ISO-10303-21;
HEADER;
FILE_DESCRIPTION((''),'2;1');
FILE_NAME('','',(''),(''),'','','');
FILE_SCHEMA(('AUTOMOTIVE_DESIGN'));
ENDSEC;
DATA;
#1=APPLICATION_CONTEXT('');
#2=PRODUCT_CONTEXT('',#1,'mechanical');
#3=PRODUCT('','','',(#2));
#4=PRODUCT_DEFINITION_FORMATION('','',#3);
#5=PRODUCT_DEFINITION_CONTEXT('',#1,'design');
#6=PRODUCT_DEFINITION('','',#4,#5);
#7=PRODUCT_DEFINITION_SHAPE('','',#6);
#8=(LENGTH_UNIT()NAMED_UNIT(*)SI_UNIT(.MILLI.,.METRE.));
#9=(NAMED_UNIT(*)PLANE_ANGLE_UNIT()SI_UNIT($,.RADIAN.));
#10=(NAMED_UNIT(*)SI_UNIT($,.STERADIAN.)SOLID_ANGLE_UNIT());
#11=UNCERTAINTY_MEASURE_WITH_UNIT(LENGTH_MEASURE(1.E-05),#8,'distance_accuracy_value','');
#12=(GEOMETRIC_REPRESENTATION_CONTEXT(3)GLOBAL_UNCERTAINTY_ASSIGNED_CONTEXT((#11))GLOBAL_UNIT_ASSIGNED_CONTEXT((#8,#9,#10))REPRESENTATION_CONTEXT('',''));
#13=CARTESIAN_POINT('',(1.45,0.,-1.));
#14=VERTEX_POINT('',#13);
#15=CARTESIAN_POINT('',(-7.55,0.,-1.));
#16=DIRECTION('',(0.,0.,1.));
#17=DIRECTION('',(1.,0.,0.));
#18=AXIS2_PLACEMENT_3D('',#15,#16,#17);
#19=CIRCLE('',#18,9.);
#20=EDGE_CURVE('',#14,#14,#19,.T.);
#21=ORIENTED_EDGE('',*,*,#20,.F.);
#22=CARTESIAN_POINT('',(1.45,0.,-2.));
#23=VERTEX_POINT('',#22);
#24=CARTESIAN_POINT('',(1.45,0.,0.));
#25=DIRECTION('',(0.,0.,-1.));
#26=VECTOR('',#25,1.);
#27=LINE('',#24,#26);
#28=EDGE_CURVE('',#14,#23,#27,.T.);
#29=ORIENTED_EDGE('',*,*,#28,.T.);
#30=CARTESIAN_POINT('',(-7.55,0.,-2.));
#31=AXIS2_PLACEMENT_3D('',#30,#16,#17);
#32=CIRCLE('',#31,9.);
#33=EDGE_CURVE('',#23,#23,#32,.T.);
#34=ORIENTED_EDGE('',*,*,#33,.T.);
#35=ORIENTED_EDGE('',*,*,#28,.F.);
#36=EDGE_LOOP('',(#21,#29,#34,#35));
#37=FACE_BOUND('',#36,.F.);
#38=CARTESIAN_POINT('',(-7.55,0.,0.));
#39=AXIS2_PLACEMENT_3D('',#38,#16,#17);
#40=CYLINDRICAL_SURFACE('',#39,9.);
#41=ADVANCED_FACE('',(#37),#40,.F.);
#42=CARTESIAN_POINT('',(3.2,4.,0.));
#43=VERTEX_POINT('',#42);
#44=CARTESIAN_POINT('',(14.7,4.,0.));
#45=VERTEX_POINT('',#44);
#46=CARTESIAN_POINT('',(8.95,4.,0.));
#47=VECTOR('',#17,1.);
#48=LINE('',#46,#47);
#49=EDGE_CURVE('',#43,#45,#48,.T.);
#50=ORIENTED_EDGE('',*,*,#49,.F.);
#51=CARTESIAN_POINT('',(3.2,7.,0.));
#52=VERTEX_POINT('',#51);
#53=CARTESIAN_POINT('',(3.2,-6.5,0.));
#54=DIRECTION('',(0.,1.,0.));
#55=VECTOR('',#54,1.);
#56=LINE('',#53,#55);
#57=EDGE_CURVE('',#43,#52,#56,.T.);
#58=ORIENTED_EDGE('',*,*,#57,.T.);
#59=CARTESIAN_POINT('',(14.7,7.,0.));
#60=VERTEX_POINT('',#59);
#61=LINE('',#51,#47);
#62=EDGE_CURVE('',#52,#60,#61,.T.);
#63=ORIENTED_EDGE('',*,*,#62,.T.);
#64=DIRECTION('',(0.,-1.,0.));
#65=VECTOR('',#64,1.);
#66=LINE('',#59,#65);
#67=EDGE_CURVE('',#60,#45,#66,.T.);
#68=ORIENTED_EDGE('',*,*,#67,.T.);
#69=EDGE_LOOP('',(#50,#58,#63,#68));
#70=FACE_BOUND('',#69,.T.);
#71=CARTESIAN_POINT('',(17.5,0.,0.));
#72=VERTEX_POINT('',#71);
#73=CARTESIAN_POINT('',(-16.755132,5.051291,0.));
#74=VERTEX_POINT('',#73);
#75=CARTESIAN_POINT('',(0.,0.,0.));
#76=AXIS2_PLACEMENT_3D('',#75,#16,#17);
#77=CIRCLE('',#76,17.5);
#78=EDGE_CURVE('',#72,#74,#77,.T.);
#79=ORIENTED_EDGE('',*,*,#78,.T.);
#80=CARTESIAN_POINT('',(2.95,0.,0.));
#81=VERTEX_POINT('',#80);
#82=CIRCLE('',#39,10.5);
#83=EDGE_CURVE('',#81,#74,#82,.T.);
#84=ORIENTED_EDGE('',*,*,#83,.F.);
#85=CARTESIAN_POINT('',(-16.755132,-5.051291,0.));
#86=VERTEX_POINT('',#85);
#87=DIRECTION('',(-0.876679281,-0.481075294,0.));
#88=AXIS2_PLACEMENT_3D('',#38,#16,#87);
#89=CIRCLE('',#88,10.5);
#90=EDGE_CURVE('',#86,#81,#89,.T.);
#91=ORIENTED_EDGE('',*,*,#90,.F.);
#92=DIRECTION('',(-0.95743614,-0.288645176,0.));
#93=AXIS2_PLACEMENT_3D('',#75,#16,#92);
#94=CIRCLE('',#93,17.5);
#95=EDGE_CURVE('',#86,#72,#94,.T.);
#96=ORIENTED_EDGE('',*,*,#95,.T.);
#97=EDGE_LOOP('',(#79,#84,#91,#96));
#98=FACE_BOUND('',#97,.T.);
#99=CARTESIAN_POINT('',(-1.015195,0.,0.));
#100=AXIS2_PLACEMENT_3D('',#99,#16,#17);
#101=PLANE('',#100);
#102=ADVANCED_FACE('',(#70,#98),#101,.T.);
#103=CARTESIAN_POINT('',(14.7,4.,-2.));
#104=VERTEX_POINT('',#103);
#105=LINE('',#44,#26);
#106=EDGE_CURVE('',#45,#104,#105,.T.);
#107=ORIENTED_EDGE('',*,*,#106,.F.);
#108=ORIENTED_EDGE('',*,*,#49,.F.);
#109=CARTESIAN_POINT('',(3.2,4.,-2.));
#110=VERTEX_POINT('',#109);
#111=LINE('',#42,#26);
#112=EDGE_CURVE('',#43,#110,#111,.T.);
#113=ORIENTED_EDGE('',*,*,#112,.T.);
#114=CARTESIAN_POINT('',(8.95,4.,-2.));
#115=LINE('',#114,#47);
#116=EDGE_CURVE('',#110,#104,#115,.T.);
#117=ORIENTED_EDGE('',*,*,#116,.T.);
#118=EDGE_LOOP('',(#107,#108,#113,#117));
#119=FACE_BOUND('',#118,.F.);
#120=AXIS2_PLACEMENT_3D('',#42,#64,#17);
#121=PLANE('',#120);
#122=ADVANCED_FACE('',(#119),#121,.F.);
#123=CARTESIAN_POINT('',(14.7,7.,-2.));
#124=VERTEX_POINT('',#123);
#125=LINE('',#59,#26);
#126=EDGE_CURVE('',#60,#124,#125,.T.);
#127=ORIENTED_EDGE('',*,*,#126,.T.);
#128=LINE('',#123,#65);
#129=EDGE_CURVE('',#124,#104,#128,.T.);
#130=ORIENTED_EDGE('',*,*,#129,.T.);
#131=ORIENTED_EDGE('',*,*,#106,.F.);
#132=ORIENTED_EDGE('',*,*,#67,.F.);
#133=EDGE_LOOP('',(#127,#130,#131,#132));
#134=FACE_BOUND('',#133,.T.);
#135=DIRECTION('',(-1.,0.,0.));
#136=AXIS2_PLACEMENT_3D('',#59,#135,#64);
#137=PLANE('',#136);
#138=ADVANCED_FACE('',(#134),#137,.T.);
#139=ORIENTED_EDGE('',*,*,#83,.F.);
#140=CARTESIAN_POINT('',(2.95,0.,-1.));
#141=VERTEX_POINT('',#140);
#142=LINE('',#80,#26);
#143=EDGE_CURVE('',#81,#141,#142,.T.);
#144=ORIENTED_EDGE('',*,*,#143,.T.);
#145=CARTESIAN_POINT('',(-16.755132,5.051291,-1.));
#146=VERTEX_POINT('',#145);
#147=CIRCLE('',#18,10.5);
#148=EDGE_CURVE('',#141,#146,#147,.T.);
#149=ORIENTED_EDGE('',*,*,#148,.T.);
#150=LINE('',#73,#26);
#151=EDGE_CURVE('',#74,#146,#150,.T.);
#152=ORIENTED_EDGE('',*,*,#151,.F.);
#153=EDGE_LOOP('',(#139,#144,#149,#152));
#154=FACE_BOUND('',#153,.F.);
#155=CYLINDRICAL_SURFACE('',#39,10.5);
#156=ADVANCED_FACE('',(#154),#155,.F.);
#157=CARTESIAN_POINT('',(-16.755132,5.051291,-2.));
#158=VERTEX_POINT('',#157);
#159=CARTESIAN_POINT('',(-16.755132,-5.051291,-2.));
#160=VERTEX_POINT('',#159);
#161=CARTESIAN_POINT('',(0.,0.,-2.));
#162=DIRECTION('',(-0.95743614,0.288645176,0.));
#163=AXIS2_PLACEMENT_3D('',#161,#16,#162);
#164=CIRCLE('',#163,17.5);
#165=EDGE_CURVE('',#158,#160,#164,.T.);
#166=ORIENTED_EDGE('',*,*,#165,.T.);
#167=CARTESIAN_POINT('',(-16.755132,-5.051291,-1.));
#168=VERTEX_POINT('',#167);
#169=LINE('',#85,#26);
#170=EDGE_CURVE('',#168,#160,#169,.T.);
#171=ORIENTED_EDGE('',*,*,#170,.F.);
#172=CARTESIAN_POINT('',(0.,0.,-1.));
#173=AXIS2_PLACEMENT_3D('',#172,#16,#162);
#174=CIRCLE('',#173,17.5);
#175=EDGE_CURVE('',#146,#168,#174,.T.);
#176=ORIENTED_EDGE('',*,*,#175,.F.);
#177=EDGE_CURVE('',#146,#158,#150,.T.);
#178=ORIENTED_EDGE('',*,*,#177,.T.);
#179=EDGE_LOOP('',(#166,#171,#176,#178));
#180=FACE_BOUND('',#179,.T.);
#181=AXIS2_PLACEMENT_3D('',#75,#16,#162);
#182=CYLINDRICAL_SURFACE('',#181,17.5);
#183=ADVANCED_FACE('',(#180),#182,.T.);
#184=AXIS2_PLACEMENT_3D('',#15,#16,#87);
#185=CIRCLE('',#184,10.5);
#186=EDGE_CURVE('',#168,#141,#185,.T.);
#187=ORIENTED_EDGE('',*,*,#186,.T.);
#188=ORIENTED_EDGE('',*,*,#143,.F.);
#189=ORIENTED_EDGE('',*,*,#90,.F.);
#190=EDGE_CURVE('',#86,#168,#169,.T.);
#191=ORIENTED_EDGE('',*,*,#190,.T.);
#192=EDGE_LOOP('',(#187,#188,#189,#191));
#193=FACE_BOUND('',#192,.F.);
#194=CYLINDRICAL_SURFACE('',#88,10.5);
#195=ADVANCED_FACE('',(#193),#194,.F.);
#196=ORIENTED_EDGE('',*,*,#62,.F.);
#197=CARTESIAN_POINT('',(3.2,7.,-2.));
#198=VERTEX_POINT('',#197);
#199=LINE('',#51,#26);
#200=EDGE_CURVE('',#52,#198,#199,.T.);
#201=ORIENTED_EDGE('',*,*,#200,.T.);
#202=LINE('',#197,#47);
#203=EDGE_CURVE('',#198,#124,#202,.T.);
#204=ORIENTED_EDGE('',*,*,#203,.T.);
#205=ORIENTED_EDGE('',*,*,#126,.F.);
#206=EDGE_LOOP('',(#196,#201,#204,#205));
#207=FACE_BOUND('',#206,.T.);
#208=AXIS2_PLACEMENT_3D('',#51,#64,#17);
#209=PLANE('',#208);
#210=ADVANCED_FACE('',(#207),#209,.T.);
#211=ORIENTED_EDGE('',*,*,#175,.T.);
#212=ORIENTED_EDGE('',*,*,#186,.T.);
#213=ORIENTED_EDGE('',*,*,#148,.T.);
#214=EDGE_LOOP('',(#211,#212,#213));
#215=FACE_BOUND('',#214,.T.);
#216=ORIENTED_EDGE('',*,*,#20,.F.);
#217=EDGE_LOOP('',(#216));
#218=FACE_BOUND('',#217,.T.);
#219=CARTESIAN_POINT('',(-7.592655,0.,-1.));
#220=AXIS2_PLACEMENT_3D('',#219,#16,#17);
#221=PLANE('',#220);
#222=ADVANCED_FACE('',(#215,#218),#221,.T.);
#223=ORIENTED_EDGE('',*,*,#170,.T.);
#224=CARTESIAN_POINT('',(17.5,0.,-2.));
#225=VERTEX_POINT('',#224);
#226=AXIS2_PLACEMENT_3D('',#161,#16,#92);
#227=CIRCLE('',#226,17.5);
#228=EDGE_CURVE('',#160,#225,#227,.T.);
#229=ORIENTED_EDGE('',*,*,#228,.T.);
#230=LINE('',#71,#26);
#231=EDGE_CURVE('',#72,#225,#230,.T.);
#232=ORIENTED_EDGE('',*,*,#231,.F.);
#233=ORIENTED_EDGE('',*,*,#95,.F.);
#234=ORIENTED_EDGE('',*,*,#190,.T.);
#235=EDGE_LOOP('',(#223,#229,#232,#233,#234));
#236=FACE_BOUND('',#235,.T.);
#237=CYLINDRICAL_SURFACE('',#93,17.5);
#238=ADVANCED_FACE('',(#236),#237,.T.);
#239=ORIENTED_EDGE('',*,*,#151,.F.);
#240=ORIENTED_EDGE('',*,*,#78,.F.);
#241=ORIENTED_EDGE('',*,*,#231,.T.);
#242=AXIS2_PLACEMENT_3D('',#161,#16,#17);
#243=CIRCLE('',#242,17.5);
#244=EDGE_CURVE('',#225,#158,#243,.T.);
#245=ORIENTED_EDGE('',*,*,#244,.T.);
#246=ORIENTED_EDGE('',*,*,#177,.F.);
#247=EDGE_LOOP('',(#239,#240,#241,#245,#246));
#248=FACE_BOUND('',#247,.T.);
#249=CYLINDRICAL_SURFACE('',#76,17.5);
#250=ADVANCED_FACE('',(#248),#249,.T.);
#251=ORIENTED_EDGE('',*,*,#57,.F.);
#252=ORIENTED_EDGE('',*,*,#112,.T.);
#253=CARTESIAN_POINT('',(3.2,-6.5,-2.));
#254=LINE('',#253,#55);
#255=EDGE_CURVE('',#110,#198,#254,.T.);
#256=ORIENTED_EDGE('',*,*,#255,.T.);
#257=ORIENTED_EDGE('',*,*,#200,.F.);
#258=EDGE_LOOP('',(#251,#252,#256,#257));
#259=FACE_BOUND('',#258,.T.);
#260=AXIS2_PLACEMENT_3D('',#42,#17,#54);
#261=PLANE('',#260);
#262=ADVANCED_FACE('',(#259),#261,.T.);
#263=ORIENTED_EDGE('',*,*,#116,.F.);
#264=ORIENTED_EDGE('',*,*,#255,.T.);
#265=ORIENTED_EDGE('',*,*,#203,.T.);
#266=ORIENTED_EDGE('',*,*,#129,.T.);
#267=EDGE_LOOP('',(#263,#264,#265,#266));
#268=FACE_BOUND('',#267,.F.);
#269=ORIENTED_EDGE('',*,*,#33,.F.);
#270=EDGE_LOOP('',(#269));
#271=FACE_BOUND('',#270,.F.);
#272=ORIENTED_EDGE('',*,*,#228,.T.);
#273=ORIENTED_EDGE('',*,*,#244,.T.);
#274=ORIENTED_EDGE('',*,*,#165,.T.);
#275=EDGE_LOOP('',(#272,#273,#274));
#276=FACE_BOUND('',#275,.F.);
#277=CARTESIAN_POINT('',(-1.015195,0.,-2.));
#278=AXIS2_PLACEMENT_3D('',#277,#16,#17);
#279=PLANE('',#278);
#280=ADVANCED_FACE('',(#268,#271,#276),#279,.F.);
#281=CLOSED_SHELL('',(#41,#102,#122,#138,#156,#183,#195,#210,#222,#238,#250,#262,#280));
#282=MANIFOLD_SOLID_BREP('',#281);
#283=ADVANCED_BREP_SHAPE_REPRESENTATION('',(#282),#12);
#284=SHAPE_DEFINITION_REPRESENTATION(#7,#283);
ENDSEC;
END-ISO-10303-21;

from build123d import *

# Parameters (mm, degrees)
F0_R     = 9
F0_W     = 11.5
F0_H     = 10.5
F1_DEPTH = 2
F2_DEPTH = 1


with BuildPart() as f1:
    # F0 (on Top) → F1 (new body)
    with BuildSketch(Plane.XY):
        with BuildLine():
            ThreePointArc((-16.7551324503, -5.0512905848), (2.5529573164, -17.3127816639), (17.5, 0))
            ThreePointArc((17.5, 0), (2.5529573164, 17.3127816639), (-16.7551324503, 5.0512905848))
            ThreePointArc((-16.7551324503, 5.0512905848), (-4.9426920712, 10.171132944), (2.95, 0))
            ThreePointArc((2.95, 0), (-4.9426920712, -10.171132944), (-16.7551324503, -5.0512905848))
        make_face()
        Polygon((14.7, -6.5), (3.2, -6.5), (3.2, 4), (3.2, 7), (14.7, 7), (14.7, 4), align=None, mode=Mode.SUBTRACT)
        with BuildLine():
            ThreePointArc((2.95, 0), (-4.9426920712, 10.171132944), (-16.7551324503, 5.0512905848))
            ThreePointArc((-16.7551324503, 5.0512905848), (-17.5, 0), (-16.7551324503, -5.0512905848))
            ThreePointArc((-16.7551324503, -5.0512905848), (-4.9426920712, -10.171132944), (2.95, 0))
        make_face()
        with Locations((-7.55, 0)):
            Circle(F0_R, mode=Mode.SUBTRACT)
        with Locations((8.95, -1.25)):
            Rectangle(F0_W, F0_H)
    extrude(amount=-F1_DEPTH)

    # F0 (on Top) → F2 (cut)
    with BuildSketch(Plane.XY):
        with BuildLine():
            ThreePointArc((2.95, 0), (-4.9426920712, 10.171132944), (-16.7551324503, 5.0512905848))
            ThreePointArc((-16.7551324503, 5.0512905848), (-17.5, 0), (-16.7551324503, -5.0512905848))
            ThreePointArc((-16.7551324503, -5.0512905848), (-4.9426920712, -10.171132944), (2.95, 0))
        make_face()
        with Locations((-7.55, 0)):
            Circle(F0_R, mode=Mode.SUBTRACT)
    extrude(amount=-F2_DEPTH, mode=Mode.SUBTRACT)


solid = f1.part
